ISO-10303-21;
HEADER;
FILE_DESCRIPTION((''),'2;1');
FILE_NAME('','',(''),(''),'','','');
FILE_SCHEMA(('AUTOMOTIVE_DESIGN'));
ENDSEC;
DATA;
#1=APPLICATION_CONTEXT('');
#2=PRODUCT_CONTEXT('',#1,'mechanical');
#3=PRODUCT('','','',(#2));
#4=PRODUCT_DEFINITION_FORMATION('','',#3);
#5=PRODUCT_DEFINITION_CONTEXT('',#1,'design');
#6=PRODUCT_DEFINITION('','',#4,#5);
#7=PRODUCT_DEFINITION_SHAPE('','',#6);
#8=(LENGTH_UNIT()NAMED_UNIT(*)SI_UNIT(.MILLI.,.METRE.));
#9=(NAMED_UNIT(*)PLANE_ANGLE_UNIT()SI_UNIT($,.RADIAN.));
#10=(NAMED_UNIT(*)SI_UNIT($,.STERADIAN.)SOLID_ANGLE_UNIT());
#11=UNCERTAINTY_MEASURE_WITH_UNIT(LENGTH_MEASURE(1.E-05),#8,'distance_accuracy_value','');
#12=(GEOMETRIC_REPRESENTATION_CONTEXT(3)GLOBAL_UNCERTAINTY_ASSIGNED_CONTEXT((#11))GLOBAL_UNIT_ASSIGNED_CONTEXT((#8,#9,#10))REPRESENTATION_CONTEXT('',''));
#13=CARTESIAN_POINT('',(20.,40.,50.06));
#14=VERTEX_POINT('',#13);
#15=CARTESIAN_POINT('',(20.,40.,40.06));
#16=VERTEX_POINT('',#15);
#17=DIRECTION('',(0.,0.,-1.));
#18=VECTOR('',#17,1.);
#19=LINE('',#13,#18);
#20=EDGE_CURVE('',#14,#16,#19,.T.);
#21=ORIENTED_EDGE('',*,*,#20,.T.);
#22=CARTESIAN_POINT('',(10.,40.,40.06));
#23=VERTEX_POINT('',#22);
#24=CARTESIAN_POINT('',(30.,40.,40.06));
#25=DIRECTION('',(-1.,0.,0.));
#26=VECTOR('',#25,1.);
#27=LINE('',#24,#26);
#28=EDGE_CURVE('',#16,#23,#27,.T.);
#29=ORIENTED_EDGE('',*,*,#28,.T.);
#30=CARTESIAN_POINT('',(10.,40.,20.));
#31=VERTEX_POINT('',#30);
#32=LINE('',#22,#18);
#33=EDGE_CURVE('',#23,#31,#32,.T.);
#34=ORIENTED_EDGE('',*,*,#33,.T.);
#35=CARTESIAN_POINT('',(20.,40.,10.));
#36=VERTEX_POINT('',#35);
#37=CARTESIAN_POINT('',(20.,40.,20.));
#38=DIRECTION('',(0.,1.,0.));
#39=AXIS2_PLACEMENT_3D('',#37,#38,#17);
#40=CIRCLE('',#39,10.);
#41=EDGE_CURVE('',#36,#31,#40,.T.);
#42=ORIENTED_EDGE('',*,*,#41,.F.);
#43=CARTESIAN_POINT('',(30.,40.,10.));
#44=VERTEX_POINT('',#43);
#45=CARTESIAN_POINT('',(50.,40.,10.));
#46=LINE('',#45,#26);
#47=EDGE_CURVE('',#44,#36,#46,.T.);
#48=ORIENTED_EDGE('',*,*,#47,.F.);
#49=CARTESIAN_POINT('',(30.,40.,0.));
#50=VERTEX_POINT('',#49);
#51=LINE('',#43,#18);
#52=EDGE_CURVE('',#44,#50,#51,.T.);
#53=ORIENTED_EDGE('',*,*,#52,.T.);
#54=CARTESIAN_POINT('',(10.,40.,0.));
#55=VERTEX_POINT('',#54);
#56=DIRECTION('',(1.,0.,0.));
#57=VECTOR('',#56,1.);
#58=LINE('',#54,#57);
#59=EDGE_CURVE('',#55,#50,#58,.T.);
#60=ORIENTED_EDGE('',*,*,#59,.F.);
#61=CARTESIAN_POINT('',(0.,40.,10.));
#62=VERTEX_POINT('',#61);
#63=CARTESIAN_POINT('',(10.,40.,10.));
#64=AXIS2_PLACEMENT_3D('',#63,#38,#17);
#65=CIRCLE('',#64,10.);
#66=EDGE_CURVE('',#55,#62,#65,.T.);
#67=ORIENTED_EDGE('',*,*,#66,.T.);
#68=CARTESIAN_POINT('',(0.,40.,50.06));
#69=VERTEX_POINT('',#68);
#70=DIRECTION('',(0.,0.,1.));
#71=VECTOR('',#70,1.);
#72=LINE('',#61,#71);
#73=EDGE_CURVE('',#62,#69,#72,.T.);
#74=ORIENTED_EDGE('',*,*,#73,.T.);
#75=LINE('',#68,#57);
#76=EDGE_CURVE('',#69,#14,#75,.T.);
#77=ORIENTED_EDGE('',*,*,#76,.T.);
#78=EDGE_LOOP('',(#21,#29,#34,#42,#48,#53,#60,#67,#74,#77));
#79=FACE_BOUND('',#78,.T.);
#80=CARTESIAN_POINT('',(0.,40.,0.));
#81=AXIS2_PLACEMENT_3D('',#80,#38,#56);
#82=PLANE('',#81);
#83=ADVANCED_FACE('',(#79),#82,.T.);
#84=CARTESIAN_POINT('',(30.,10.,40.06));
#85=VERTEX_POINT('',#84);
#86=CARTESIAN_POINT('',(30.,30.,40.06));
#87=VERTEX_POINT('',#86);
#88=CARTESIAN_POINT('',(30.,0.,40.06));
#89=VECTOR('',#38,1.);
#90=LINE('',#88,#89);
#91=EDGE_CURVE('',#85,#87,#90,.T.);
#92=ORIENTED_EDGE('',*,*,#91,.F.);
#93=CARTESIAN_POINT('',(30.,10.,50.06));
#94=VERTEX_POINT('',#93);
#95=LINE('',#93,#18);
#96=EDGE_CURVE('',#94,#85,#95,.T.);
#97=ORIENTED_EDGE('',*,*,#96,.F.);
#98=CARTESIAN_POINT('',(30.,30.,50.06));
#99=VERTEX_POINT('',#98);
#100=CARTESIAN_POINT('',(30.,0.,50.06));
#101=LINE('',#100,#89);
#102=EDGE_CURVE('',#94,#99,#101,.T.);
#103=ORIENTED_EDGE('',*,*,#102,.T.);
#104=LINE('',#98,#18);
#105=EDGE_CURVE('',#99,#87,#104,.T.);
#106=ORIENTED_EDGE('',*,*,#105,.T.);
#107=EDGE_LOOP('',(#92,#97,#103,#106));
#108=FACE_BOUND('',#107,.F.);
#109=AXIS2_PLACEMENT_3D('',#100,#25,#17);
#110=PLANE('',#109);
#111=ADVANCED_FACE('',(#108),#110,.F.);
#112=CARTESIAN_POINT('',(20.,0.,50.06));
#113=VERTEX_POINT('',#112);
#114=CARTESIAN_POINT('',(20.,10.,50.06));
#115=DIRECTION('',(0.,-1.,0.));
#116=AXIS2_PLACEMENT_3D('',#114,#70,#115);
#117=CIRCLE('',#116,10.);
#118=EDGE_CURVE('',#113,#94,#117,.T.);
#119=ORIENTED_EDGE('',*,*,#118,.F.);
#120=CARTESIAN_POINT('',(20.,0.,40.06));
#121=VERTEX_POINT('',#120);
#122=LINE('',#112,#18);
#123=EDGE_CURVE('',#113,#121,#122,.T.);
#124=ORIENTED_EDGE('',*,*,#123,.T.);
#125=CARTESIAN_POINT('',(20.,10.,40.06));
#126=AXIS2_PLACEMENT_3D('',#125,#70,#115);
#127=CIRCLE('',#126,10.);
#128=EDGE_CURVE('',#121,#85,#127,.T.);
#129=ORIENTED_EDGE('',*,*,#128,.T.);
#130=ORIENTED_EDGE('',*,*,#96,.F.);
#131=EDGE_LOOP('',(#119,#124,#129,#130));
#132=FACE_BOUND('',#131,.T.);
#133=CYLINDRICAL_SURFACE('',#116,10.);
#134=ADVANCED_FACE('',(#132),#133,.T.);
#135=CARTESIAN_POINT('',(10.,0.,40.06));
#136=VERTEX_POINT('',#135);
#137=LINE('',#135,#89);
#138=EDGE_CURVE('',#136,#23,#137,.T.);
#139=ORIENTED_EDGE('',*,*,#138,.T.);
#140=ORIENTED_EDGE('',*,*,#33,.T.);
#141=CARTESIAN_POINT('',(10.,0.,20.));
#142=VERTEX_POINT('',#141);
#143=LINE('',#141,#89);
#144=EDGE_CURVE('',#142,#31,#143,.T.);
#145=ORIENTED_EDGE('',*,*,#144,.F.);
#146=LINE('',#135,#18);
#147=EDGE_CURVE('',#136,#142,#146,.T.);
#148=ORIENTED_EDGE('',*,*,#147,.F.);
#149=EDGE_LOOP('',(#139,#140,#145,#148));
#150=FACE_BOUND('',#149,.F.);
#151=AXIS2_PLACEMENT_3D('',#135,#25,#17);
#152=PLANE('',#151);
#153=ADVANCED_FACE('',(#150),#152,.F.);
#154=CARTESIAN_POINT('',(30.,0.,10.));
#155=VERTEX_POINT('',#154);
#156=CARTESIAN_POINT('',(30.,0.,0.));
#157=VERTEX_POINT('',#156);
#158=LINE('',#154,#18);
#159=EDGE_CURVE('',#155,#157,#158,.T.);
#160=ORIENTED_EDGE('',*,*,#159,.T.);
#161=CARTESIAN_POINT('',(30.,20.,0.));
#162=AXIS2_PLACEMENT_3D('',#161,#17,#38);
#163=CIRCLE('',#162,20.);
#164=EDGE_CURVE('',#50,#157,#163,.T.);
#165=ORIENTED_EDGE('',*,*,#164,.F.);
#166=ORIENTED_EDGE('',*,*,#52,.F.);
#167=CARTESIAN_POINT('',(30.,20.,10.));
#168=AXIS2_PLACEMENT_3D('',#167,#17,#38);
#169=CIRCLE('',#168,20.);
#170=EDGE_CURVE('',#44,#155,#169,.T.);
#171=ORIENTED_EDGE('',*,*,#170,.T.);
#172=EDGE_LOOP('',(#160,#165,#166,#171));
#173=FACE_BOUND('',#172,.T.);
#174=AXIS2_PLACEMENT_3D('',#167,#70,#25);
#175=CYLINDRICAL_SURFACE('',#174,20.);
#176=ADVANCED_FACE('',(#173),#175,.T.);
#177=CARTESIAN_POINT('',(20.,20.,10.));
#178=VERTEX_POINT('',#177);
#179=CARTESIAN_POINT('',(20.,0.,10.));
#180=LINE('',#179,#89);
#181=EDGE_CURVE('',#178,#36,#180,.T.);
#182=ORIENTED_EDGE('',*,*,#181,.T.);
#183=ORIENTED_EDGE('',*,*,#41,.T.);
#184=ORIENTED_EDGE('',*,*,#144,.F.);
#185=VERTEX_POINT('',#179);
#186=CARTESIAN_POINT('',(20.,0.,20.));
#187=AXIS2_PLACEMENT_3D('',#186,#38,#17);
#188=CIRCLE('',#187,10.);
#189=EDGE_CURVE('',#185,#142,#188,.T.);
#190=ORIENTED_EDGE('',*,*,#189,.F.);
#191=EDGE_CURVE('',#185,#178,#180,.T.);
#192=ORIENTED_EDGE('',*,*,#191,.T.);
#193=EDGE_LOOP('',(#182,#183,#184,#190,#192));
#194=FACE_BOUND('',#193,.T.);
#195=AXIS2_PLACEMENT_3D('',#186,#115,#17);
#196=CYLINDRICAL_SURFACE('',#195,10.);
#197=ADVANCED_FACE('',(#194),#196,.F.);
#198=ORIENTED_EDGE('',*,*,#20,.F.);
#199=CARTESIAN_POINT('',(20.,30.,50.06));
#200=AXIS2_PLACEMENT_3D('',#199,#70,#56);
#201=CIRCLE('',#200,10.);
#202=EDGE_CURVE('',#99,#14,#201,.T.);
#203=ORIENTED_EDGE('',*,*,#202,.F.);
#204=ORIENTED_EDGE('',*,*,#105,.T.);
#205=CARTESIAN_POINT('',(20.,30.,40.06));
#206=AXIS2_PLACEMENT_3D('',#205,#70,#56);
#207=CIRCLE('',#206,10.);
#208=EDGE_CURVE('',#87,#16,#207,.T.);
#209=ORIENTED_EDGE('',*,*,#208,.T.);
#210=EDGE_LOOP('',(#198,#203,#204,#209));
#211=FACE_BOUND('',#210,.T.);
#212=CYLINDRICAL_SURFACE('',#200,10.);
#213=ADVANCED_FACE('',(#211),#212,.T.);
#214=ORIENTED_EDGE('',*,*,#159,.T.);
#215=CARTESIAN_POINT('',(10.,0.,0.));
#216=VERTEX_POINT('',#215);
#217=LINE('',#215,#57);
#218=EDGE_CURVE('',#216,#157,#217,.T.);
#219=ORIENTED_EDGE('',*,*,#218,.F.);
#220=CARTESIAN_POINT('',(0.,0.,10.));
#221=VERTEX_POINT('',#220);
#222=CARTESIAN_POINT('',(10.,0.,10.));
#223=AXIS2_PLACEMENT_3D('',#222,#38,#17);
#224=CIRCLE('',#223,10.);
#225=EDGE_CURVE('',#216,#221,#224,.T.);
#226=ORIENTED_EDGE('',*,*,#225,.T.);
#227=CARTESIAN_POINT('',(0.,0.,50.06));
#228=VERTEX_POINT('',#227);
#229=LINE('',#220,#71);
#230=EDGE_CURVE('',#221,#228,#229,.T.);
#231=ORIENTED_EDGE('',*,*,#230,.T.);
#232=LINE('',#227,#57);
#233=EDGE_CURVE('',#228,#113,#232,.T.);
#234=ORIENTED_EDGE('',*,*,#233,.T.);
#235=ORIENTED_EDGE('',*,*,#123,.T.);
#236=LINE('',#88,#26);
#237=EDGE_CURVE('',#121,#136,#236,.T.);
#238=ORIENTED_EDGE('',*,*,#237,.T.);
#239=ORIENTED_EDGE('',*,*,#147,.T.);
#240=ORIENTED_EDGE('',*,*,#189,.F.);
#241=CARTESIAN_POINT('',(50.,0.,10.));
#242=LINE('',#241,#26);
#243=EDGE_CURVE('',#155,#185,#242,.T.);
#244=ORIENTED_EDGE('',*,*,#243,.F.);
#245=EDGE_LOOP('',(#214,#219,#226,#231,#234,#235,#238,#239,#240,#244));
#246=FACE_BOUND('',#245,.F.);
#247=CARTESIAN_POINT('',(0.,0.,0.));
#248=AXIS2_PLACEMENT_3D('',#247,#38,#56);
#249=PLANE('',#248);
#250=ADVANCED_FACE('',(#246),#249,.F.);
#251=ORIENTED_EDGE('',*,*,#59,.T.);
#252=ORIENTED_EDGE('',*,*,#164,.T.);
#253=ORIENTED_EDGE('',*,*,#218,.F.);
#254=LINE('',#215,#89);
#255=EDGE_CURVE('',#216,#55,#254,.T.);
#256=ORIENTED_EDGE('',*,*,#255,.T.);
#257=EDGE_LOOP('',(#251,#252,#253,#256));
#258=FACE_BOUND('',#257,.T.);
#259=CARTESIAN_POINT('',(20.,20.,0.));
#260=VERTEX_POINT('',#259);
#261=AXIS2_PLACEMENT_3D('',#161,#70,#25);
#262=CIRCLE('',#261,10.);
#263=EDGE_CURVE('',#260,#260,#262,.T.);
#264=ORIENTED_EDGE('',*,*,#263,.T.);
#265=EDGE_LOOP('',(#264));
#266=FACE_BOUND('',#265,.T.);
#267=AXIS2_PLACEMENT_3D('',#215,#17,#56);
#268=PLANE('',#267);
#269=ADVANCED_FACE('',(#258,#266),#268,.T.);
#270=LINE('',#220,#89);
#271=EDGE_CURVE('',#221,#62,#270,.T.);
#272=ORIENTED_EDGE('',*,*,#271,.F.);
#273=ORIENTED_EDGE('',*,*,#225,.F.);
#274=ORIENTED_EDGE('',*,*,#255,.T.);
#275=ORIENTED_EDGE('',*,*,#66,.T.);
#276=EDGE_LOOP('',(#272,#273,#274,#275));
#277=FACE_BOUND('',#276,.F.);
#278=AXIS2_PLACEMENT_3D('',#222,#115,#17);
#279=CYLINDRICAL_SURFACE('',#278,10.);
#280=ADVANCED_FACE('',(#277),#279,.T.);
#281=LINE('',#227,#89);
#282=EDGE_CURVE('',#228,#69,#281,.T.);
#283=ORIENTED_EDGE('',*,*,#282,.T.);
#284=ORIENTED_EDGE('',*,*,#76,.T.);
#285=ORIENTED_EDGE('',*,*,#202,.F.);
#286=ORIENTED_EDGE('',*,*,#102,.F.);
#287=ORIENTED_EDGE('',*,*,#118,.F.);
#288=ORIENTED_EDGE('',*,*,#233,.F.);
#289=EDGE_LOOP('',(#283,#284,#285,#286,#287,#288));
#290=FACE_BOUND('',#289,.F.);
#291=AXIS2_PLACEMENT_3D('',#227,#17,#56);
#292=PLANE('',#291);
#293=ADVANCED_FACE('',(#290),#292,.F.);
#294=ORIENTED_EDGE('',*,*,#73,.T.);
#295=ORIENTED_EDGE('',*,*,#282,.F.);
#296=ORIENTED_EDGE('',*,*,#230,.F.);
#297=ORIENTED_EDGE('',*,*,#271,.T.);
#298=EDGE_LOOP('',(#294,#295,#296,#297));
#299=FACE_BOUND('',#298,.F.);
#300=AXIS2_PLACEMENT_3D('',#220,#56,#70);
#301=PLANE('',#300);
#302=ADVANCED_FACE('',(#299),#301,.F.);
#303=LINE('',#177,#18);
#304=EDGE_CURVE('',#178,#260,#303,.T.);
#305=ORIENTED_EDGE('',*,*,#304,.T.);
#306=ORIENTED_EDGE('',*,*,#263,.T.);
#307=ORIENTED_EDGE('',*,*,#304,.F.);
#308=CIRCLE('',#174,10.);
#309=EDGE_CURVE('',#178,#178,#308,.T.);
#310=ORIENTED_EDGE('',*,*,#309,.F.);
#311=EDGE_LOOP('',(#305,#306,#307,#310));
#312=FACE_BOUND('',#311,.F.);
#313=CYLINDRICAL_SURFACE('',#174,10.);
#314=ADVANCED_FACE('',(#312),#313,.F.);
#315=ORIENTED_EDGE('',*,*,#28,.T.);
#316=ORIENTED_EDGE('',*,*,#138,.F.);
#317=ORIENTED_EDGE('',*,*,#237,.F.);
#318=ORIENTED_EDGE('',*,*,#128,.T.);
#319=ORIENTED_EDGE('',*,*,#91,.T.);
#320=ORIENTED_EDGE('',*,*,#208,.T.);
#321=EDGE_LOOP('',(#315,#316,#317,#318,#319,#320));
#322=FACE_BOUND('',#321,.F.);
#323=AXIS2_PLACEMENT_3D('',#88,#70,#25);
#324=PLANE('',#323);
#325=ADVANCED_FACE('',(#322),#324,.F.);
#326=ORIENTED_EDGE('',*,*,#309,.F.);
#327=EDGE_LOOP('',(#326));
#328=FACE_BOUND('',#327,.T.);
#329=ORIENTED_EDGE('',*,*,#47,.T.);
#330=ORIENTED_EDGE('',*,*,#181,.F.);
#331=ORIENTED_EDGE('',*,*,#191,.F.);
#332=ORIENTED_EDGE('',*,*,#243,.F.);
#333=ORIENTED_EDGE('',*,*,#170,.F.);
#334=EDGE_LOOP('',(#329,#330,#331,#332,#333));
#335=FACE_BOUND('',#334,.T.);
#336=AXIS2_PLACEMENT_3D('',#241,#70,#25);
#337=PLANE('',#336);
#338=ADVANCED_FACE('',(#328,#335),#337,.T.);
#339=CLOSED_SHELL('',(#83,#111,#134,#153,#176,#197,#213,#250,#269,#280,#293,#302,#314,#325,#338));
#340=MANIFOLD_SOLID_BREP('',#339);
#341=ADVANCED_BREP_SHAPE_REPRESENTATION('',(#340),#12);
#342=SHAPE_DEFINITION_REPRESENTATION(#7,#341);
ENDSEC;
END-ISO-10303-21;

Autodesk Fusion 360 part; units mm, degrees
sketch "Sketch2" plane through (0, 0, 0) normal (0, 1, 0) x (1, 0, 0)
  line L0 (0, -10) -> (0, -50.06)
  line L1 (0, -50.06) -> (30, -50.06)
  line L2 (30, -50.06) -> (30, -40.06)
  line L3 (10, 0) -> (50, 0)
  line L4 (50, 0) -> (50, -10)
  arc A0 (10, 0) -> (0, -10) centre (10, -10) ccw
  line L5 (50, -10) -> (20, -10)
  line L6 (30, -40.06) -> (10, -40.06)
  line L7 (10, -40.06) -> (10, -20)
  arc A1 (20, -10) -> (10, -20) centre (20, -20) ccw
  point P0 (10, -10)
  dimension "d9" = 50.06
  dimension "d10" = 30
  dimension "d11" = 10
  dimension "d12" = 50
  dimension "d13" = 10
  dimension "d14" = 10
  dimension "d15" = 40
  dimension "d16" = 20
  dimension "d17" = 10
extrude "Extrude1" add sketch "Sketch2" along normal blind 40
sketch "Sketch5" plane through (0, 0, 50.06) normal (0, 0, 1) x (-1, 0, 0)
  line L0 (0, 0) -> (-30, 0)
  line L1 (-30, 0) -> (-30, -40)
  line L2 (-30, -40) -> (0, -40)
  line L3 (0, -40) -> (0, 0)
  line L4 (0, 0) -> (-20, 0)
  line L5 (-30, -10) -> (-30, -30)
  line L6 (-20, -40) -> (0, -40)
  line L7 (0, -40) -> (0, 0)
  arc A0 (-30, -30) -> (-20, -40) centre (-20, -30) ccw
  arc A1 (-20, 0) -> (-30, -10) centre (-20, -10) ccw
  dimension "d24" = 10
  dimension "d25" = 10
extrude "Extrude2" cut sketch "Sketch5" against normal blind 10 contours L0 L1 A1
extrude "Extrude3" cut sketch "Sketch5" against normal blind 10 contours L1 L2 A0
sketch "Sketch6" plane through (0, 0, 10) normal (0, 0, 1) x (-1, 0, 0)
  line L0 (-20, 0) -> (-50, 0)
  line L1 (-50, 0) -> (-50, -40)
  line L2 (-50, -40) -> (-20, -40)
  line L3 (-20, -40) -> (-20, 0)
  line L4 (-20, 0) -> (-30, 0)
  circle A0 centre (-30, -20) radius 10
  circle A1 centre (-30, -20) radius 20
  dimension "d30" = 10
extrude "Extrude4" cut sketch "Sketch6" against normal blind 10 contours A0
extrude "Extrude5" cut sketch "Sketch6" against normal blind 10 contours L0 L1 A1
extrude "Extrude6" cut sketch "Sketch6" against normal blind 10 contours L1 L2 A1
